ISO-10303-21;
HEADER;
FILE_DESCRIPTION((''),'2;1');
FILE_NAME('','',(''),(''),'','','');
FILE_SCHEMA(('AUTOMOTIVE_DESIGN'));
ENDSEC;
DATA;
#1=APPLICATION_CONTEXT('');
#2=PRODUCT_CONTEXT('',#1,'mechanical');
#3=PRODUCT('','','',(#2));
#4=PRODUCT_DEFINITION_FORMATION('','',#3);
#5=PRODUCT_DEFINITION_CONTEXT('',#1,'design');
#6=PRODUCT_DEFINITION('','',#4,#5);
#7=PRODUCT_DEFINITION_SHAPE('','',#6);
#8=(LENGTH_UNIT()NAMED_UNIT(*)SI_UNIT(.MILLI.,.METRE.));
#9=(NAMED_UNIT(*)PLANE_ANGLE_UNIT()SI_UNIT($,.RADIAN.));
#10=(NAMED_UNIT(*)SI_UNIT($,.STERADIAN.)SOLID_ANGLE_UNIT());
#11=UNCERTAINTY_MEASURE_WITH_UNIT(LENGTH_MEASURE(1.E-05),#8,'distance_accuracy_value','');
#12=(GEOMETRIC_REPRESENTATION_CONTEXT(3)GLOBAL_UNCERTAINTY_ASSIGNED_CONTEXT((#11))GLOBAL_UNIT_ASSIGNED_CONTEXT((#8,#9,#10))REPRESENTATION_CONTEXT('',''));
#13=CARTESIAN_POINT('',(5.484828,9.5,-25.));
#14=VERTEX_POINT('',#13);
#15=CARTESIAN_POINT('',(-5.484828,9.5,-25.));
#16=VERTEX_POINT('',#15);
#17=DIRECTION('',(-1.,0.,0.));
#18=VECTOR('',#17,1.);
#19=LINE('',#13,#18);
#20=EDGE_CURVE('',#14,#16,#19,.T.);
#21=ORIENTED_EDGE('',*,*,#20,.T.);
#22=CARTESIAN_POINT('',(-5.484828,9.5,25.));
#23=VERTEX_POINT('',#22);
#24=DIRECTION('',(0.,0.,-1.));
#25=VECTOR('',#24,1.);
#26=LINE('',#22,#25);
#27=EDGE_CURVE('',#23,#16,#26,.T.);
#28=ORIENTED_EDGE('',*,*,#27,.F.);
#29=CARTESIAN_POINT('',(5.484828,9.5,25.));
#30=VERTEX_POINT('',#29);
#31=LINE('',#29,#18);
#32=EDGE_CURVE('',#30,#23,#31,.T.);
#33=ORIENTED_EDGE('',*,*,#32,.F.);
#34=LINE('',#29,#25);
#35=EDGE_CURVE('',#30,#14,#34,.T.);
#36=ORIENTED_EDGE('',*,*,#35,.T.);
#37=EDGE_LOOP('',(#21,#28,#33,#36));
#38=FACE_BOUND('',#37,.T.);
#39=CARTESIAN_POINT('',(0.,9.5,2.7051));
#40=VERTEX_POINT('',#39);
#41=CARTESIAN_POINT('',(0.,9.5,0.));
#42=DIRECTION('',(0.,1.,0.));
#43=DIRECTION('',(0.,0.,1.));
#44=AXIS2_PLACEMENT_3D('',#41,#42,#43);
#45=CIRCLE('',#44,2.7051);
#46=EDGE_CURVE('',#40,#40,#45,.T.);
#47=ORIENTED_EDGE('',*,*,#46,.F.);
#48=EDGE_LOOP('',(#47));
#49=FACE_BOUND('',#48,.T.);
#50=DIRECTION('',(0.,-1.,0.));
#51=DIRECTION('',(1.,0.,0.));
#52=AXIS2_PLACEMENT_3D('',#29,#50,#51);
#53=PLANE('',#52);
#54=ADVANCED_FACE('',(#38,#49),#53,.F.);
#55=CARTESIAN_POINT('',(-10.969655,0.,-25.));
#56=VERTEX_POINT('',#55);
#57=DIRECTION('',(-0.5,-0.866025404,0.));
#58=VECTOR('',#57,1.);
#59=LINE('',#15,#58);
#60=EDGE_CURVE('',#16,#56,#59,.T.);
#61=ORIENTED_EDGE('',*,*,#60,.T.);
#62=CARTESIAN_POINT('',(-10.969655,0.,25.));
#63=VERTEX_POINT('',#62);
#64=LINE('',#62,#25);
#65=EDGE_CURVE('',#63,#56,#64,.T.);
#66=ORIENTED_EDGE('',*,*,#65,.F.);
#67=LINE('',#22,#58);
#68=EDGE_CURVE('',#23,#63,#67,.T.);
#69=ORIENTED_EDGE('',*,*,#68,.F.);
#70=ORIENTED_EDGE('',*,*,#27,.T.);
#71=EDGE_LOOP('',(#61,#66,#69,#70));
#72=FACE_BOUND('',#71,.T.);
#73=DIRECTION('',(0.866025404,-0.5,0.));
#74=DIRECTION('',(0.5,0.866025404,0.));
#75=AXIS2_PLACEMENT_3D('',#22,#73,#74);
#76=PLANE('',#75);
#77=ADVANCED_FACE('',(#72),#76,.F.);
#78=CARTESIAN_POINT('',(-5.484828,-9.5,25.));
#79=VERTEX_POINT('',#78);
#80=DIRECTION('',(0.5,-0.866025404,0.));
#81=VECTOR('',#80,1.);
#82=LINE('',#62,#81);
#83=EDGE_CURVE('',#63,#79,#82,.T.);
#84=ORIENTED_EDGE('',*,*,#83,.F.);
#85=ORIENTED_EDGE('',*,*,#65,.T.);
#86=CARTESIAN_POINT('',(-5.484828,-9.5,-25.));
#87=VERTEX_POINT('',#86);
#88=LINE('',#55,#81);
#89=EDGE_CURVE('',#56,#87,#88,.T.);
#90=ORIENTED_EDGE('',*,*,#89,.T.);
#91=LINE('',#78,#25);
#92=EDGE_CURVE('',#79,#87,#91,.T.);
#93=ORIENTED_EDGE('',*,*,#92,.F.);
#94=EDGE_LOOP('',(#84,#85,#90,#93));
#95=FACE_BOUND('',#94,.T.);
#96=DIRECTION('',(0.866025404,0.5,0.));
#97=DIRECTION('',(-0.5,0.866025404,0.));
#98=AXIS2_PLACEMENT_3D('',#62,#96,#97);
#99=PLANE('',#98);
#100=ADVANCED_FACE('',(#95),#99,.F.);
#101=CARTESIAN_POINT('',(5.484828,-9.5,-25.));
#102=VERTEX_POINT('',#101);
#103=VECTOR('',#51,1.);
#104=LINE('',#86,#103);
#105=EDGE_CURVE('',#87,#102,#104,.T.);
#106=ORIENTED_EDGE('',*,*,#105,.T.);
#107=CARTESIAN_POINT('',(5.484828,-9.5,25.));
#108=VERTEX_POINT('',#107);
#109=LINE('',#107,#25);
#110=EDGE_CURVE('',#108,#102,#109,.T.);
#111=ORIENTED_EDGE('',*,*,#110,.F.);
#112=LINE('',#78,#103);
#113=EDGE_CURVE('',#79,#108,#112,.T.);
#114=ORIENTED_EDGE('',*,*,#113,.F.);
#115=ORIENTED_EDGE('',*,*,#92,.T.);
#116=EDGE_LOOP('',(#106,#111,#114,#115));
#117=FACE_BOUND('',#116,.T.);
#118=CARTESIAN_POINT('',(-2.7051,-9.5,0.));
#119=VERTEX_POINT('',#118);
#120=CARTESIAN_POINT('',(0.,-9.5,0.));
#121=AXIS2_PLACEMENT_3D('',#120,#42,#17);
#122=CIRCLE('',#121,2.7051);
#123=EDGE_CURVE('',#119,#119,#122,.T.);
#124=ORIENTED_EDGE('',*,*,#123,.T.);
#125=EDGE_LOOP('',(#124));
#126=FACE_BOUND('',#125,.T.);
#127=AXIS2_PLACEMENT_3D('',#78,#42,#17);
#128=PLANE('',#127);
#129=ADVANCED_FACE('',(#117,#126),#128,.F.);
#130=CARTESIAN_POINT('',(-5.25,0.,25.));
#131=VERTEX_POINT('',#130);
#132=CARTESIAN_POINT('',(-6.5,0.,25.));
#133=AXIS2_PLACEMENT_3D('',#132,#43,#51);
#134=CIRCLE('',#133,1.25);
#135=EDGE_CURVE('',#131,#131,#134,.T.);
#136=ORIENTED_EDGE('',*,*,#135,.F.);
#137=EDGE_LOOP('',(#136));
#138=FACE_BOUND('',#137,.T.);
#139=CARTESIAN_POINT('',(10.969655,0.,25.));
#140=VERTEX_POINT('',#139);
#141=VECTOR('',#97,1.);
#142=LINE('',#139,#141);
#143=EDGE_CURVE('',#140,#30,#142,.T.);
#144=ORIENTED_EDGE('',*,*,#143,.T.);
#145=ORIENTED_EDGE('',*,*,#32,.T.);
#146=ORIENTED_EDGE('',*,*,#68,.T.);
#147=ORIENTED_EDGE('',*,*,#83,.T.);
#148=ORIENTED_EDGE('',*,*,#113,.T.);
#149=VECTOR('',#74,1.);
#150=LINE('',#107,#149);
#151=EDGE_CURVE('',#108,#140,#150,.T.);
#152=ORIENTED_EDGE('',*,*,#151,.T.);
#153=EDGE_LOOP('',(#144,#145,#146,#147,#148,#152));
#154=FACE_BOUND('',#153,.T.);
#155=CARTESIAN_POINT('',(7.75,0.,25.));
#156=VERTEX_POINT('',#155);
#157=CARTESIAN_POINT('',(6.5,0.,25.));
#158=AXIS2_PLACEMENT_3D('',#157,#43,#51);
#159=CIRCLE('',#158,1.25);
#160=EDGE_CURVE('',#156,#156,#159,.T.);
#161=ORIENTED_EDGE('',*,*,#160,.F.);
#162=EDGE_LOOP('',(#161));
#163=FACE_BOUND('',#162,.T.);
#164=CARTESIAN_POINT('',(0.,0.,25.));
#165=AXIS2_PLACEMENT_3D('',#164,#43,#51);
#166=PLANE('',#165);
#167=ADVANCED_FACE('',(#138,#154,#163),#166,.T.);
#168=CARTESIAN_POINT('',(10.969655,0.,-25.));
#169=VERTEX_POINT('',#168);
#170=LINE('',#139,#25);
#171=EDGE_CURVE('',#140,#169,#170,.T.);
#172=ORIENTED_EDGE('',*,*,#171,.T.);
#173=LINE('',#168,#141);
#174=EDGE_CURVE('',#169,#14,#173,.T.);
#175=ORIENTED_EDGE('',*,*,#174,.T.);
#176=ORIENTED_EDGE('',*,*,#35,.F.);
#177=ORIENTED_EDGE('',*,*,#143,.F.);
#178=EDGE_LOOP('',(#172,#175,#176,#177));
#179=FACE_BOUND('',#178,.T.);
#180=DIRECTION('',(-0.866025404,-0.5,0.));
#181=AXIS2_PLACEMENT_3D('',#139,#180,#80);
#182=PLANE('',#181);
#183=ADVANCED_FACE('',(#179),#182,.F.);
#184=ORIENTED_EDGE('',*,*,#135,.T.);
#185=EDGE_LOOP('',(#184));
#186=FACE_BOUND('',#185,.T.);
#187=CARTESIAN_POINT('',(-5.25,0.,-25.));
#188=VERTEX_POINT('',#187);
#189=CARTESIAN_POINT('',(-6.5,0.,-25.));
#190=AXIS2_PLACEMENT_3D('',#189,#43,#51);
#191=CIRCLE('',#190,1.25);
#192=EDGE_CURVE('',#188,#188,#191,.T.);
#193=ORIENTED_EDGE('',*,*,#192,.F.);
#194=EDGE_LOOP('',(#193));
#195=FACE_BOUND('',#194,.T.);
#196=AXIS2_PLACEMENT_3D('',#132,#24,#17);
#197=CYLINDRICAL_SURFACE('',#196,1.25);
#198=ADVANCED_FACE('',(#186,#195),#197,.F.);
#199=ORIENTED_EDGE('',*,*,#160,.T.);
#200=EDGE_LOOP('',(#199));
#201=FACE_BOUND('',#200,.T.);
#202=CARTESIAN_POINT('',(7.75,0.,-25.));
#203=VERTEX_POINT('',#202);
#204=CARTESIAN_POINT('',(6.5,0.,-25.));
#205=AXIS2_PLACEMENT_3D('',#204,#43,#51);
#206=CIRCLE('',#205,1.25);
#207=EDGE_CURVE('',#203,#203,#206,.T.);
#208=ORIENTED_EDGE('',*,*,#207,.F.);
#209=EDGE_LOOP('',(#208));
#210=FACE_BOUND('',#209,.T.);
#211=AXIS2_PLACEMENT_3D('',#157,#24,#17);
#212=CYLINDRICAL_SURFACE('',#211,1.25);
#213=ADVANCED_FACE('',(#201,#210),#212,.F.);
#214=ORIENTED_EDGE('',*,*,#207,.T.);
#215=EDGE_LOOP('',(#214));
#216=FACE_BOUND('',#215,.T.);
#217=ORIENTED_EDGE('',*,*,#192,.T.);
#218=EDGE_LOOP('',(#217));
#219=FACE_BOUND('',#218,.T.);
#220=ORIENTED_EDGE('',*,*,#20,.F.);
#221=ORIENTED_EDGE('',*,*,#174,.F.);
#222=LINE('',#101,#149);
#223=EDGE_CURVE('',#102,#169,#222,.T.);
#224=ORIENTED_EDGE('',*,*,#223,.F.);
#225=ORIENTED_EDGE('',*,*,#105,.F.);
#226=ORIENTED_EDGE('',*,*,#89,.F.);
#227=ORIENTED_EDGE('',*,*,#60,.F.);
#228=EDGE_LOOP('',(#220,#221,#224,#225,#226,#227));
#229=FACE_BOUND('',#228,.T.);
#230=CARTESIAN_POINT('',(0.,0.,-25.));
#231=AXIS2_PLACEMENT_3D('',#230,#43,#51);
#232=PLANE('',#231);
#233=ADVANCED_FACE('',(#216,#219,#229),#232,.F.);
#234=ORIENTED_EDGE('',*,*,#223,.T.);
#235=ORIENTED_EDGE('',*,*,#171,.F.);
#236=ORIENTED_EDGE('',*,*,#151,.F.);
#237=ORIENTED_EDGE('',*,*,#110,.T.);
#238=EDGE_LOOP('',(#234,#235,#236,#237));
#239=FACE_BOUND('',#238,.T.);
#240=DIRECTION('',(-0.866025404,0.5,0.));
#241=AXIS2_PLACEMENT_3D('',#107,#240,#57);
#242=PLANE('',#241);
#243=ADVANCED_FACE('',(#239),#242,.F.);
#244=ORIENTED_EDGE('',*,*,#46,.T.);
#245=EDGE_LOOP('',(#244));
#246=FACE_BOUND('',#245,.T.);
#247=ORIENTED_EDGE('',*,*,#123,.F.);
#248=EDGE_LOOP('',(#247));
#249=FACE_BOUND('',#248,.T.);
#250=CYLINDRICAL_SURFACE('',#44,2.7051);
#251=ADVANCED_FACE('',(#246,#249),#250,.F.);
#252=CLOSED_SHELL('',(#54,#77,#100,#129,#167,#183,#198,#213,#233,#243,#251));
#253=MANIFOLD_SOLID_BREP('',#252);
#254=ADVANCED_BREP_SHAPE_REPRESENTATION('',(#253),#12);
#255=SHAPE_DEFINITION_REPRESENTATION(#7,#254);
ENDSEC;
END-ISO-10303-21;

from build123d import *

# Parameters (mm, degrees)
SKETCH1_R                   = 1.25
BOSS_EXTRUDE1_DEPTH         = 25
F_1_4_28_TAPPED_HOLE1_D     = 5.4102
F_1_4_28_TAPPED_HOLE1_DEPTH = 19


with BuildPart() as part:
    # Sketch1 → Boss-Extrude1 (new body, symmetric)
    with BuildSketch(Plane.XY):
        Polygon((-5.484827557, -9.5), (5.484827557, -9.5), (10.969655115, 0), (5.484827557, 9.5), (-5.484827557, 9.5), (-10.969655115, 0), align=None)
        with Locations((-6.5, 0)):
            Circle(SKETCH1_R, mode=Mode.SUBTRACT)
        with Locations((6.5, 0)):
            Circle(SKETCH1_R, mode=Mode.SUBTRACT)
    extrude(amount=BOSS_EXTRUDE1_DEPTH, both=True)

    # 1/4-28 Tapped Hole1
    with Locations(Plane(origin=(0, 9.5, 0), x_dir=(1, 0, 0), z_dir=(0, 1, 0))):
        with Locations((0, 0)):
            Hole(F_1_4_28_TAPPED_HOLE1_D / 2, depth=F_1_4_28_TAPPED_HOLE1_DEPTH)


solid = part.part
